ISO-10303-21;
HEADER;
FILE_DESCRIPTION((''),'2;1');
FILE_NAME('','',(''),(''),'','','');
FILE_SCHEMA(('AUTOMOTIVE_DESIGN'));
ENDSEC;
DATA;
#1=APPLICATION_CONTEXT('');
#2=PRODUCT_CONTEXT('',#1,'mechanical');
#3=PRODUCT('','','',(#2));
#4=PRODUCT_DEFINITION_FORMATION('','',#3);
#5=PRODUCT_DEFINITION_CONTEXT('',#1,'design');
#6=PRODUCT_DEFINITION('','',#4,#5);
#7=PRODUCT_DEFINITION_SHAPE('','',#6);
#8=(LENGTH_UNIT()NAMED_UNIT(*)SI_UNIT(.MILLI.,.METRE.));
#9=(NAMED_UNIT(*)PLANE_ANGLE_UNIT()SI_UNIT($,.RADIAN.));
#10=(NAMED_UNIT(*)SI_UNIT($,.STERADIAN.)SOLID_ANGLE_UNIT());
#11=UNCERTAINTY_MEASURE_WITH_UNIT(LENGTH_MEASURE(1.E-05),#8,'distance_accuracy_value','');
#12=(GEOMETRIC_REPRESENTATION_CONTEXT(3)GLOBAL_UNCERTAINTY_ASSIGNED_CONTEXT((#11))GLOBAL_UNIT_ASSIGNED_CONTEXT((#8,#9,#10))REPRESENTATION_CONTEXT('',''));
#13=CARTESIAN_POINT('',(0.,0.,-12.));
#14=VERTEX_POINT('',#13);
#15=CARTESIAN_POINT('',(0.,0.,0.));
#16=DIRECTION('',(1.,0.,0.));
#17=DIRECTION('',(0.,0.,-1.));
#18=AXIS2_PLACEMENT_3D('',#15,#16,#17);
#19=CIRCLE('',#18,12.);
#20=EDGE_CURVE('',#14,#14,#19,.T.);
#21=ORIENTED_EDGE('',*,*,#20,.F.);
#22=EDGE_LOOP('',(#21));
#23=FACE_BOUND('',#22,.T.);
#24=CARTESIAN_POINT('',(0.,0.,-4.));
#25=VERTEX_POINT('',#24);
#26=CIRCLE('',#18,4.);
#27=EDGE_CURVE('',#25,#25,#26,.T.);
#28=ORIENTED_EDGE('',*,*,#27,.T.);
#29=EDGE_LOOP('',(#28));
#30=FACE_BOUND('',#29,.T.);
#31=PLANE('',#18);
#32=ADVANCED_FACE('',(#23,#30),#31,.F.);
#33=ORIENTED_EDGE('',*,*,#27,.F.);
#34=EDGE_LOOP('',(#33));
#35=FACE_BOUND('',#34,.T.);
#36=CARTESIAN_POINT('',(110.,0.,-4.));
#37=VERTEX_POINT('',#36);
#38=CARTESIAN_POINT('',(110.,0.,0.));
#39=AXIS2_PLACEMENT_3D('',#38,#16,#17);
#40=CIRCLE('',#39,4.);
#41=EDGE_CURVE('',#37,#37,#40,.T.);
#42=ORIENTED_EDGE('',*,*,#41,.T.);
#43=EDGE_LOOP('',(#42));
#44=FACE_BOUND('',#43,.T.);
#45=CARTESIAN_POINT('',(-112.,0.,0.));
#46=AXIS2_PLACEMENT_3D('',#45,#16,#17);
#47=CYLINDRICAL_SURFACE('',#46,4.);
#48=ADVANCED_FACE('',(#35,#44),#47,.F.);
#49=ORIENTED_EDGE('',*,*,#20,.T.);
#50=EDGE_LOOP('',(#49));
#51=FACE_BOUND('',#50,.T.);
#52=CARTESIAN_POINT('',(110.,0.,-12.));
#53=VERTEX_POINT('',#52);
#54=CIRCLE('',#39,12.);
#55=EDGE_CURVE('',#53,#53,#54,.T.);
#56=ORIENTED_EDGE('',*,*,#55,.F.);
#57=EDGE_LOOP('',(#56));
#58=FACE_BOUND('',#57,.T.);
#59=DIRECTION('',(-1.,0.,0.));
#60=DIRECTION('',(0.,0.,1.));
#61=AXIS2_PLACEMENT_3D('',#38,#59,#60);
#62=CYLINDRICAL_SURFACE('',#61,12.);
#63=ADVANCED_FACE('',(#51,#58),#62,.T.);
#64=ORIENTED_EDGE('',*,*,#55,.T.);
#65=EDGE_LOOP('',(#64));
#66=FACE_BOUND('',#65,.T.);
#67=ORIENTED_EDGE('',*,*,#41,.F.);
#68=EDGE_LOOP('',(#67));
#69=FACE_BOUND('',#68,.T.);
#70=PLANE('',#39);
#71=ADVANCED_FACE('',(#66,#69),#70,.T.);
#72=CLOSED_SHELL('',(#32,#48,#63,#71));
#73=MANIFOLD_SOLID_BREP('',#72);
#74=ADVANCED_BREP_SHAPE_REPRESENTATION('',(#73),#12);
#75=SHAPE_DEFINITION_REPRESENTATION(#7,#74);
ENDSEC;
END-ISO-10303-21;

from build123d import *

# Parameters (mm, degrees)
SKETCH1_R           = 12
BOSS_EXTRUDE1_DEPTH = 110
SKETCH2_R           = 4
CUT_EXTRUDE1_DEPTH  = 222


with BuildPart() as part:
    # Sketch1 → Boss-Extrude1 (new body)
    with BuildSketch(Plane(origin=(0, 0, 0), x_dir=(0, 0, -1), z_dir=(1, 0, 0))):
        Circle(SKETCH1_R)
    extrude(amount=BOSS_EXTRUDE1_DEPTH)

    # Sketch2 → Cut-Extrude1 (cut)
    with BuildSketch(Plane(origin=(110, 0, 0), x_dir=(0, 0, -1), z_dir=(1, 0, 0))):
        Circle(SKETCH2_R)
    extrude(amount=-CUT_EXTRUDE1_DEPTH, mode=Mode.SUBTRACT)


solid = part.part
